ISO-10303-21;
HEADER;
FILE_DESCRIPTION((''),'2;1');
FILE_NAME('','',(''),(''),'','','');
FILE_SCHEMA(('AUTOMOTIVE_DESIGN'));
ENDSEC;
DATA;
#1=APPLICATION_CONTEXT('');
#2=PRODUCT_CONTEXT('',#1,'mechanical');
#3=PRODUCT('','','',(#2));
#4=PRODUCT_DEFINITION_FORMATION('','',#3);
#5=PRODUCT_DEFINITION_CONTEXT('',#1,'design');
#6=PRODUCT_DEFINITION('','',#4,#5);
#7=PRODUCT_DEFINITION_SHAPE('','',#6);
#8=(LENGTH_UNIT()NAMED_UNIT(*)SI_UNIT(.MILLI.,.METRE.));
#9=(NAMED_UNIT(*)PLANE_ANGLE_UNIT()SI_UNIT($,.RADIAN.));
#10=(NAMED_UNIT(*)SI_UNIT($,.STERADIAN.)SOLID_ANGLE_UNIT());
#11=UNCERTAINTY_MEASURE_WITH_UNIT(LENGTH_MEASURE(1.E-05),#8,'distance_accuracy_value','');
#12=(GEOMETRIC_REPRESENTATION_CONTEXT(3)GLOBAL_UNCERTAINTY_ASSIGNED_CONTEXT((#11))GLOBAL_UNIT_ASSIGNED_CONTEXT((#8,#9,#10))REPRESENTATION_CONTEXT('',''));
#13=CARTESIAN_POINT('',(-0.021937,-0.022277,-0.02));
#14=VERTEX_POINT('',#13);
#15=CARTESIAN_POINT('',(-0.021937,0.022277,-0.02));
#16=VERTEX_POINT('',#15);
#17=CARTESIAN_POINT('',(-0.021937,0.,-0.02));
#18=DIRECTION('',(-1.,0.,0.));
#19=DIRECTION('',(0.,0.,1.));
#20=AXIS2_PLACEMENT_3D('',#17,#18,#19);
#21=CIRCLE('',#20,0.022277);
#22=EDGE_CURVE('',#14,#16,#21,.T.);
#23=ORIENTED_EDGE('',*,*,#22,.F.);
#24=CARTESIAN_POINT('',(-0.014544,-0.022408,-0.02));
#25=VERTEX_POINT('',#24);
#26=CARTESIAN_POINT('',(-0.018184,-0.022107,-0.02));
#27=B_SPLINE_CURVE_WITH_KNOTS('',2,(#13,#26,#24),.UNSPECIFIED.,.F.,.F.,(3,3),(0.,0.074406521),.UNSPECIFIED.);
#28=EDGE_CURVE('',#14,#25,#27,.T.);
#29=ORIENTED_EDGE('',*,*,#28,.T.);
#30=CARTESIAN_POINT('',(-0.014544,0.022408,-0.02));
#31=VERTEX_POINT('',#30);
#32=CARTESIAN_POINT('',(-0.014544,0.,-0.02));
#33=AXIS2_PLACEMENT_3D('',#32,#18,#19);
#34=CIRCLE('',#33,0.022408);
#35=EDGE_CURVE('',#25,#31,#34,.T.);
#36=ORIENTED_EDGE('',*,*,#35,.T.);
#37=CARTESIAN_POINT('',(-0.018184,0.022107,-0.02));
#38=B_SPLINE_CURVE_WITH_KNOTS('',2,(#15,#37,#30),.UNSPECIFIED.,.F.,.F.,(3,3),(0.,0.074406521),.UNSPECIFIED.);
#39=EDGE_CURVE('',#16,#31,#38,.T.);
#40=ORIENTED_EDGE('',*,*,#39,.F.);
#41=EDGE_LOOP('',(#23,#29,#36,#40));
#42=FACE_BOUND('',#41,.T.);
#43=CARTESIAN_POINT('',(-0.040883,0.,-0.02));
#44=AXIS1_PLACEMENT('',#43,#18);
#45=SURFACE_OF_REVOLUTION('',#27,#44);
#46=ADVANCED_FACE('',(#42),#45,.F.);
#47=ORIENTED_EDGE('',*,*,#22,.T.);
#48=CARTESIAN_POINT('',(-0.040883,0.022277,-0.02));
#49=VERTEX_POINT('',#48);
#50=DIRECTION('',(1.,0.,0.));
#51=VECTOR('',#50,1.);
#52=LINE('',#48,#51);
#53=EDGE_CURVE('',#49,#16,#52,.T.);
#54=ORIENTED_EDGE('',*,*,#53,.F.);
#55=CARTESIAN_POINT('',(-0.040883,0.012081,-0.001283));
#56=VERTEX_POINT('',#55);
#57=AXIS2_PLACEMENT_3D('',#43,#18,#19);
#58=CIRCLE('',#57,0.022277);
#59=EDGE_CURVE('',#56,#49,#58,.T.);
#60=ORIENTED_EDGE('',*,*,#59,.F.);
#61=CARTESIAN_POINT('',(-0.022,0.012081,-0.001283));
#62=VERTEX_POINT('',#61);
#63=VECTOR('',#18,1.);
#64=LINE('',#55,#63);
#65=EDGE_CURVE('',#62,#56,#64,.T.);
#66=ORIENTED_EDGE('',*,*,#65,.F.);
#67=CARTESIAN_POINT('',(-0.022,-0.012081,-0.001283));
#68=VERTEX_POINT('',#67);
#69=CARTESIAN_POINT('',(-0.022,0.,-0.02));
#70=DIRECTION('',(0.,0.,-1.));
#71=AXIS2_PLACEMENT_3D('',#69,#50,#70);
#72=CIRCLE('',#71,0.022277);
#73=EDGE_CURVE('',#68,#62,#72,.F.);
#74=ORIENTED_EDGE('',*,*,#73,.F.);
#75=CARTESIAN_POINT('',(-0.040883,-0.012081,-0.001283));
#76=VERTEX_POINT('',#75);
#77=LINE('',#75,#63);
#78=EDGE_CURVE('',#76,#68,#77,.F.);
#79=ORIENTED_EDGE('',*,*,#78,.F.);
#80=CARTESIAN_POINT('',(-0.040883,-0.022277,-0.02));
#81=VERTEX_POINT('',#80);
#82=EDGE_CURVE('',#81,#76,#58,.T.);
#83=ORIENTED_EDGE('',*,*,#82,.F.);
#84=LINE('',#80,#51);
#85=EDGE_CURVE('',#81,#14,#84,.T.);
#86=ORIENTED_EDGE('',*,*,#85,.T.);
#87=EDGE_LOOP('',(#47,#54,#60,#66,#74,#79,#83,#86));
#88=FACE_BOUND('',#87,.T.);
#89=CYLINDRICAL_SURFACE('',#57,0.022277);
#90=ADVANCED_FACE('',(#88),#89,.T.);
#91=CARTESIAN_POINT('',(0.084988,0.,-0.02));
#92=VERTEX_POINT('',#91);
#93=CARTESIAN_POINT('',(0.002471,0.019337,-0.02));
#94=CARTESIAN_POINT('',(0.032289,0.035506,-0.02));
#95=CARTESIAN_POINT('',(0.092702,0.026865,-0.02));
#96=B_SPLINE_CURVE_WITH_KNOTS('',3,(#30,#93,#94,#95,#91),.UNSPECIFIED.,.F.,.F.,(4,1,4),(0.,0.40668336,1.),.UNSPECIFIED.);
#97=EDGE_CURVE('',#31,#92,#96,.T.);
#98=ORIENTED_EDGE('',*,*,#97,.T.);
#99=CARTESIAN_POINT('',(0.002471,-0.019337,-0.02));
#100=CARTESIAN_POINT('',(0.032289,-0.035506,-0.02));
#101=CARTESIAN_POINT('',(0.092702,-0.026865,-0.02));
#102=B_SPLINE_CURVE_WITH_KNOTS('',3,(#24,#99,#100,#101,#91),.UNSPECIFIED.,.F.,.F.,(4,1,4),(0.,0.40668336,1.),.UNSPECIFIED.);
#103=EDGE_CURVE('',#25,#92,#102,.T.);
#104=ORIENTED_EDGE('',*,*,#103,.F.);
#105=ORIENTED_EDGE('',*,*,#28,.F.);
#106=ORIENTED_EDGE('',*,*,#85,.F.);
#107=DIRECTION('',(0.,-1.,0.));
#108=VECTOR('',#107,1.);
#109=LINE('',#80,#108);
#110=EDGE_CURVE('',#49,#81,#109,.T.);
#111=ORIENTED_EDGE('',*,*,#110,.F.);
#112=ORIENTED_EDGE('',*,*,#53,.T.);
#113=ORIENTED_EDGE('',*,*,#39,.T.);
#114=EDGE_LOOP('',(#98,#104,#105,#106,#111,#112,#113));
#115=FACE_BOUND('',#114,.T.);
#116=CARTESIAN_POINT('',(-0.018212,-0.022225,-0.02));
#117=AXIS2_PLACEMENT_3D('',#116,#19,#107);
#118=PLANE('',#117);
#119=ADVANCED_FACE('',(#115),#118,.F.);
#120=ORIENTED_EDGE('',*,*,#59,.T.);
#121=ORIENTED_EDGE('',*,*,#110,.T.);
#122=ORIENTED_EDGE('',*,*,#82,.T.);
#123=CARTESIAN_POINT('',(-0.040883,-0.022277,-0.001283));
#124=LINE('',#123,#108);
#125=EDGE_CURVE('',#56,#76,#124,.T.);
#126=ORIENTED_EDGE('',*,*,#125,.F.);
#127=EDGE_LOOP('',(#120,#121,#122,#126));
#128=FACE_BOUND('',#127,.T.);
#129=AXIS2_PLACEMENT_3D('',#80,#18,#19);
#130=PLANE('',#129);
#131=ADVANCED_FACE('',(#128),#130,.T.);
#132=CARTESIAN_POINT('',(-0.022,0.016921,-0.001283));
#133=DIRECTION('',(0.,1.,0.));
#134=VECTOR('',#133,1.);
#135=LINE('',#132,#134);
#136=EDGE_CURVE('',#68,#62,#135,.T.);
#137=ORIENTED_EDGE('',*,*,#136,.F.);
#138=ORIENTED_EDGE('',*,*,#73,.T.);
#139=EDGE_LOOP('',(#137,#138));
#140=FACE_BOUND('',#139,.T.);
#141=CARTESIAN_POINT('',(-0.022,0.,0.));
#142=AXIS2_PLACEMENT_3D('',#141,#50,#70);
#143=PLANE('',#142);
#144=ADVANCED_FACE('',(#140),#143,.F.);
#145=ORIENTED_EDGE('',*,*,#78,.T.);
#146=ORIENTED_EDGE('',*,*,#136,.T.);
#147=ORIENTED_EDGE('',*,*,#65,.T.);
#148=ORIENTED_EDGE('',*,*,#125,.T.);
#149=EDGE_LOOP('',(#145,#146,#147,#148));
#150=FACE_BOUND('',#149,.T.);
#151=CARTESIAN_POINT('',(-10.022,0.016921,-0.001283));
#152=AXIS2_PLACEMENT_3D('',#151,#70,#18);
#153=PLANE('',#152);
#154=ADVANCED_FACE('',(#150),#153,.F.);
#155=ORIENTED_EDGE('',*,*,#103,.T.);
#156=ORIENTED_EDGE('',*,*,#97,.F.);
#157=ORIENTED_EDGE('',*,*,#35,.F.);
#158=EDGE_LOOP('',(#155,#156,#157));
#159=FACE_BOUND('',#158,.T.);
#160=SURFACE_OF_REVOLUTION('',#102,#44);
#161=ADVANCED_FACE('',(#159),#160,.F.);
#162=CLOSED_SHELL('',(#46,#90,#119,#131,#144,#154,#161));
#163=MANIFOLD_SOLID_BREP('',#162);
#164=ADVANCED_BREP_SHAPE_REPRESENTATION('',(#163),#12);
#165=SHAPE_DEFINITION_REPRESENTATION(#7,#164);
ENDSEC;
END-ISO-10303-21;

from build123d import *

# Parameters (mm, degrees)
REVOLVE2_ANGLE           = 90
REVOLVE2_OTHER_WAY_ANGLE = 90
SKETCH4_W                = 0.01470915
SKETCH4_H                = 0.03384268
CUT_EXTRUDE1_DEPTH       = 10


with BuildPart() as part:
    # Sketch2 → Revolve2 (revolve)
    with BuildSketch(Plane(origin=(0, 0, 0), x_dir=(1, 0, 0), z_dir=(0, 1, 0))):
        with BuildLine():
            Line((-0.040882846, 0.02), (0.059999999, 0.02))
            Line((0.059999999, 0.02), (0.084987644, 0.02))
            add(Edge.make_bspline(
                [(0.084987644, 0.02), (0.092702041, -0.006864779), (0.032288643, -0.015505972), (0.002470911, 0.000663285), (-0.014544096, -0.002408108)],
                knots=[0, 0, 0, 0, 0.59331664, 1, 1, 1, 1], degree=3))
            add(Edge.make_bspline(
                [(-0.021937137, -0.002277318), (-0.018183593, -0.002107007), (-0.014544096, -0.002408108)],
                knots=[0, 0, 0, 0.074406521, 0.074406521, 0.074406521], degree=2))
            Line((-0.021937137, -0.002277318), (-0.040882846, -0.002277318))
            Line((-0.040882846, -0.002277318), (-0.040882846, 0.02))
        make_face()
    revolve(axis=Axis((-0.040882846, 0, -0.02), (1, 0, 0)), revolution_arc=REVOLVE2_ANGLE)

    # Sketch2 → Revolve2 other way (revolve)
    with BuildSketch(Plane(origin=(0, 0, 0), x_dir=(1, 0, 0), z_dir=(0, 1, 0))):
        with BuildLine():
            Line((-0.040882846, 0.02), (0.059999999, 0.02))
            Line((0.059999999, 0.02), (0.084987644, 0.02))
            add(Edge.make_bspline(
                [(0.084987644, 0.02), (0.092702041, -0.006864779), (0.032288643, -0.015505972), (0.002470911, 0.000663285), (-0.014544096, -0.002408108)],
                knots=[0, 0, 0, 0, 0.59331664, 1, 1, 1, 1], degree=3))
            add(Edge.make_bspline(
                [(-0.021937137, -0.002277318), (-0.018183593, -0.002107007), (-0.014544096, -0.002408108)],
                knots=[0, 0, 0, 0.074406521, 0.074406521, 0.074406521], degree=2))
            Line((-0.021937137, -0.002277318), (-0.040882846, -0.002277318))
            Line((-0.040882846, -0.002277318), (-0.040882846, 0.02))
        make_face()
    revolve(axis=Axis((-0.040882846, 0, -0.02), (-1, 0, 0)), revolution_arc=REVOLVE2_OTHER_WAY_ANGLE)

    # Sketch4 → Cut-Extrude1 (cut)
    with BuildSketch(Plane(origin=(-0.022, 0, 0), x_dir=(0, 0, -1), z_dir=(1, 0, 0))):
        with Locations((-0.006071578, 0)):
            Rectangle(SKETCH4_W, SKETCH4_H)
    extrude(amount=-CUT_EXTRUDE1_DEPTH, mode=Mode.SUBTRACT)


solid = part.part
